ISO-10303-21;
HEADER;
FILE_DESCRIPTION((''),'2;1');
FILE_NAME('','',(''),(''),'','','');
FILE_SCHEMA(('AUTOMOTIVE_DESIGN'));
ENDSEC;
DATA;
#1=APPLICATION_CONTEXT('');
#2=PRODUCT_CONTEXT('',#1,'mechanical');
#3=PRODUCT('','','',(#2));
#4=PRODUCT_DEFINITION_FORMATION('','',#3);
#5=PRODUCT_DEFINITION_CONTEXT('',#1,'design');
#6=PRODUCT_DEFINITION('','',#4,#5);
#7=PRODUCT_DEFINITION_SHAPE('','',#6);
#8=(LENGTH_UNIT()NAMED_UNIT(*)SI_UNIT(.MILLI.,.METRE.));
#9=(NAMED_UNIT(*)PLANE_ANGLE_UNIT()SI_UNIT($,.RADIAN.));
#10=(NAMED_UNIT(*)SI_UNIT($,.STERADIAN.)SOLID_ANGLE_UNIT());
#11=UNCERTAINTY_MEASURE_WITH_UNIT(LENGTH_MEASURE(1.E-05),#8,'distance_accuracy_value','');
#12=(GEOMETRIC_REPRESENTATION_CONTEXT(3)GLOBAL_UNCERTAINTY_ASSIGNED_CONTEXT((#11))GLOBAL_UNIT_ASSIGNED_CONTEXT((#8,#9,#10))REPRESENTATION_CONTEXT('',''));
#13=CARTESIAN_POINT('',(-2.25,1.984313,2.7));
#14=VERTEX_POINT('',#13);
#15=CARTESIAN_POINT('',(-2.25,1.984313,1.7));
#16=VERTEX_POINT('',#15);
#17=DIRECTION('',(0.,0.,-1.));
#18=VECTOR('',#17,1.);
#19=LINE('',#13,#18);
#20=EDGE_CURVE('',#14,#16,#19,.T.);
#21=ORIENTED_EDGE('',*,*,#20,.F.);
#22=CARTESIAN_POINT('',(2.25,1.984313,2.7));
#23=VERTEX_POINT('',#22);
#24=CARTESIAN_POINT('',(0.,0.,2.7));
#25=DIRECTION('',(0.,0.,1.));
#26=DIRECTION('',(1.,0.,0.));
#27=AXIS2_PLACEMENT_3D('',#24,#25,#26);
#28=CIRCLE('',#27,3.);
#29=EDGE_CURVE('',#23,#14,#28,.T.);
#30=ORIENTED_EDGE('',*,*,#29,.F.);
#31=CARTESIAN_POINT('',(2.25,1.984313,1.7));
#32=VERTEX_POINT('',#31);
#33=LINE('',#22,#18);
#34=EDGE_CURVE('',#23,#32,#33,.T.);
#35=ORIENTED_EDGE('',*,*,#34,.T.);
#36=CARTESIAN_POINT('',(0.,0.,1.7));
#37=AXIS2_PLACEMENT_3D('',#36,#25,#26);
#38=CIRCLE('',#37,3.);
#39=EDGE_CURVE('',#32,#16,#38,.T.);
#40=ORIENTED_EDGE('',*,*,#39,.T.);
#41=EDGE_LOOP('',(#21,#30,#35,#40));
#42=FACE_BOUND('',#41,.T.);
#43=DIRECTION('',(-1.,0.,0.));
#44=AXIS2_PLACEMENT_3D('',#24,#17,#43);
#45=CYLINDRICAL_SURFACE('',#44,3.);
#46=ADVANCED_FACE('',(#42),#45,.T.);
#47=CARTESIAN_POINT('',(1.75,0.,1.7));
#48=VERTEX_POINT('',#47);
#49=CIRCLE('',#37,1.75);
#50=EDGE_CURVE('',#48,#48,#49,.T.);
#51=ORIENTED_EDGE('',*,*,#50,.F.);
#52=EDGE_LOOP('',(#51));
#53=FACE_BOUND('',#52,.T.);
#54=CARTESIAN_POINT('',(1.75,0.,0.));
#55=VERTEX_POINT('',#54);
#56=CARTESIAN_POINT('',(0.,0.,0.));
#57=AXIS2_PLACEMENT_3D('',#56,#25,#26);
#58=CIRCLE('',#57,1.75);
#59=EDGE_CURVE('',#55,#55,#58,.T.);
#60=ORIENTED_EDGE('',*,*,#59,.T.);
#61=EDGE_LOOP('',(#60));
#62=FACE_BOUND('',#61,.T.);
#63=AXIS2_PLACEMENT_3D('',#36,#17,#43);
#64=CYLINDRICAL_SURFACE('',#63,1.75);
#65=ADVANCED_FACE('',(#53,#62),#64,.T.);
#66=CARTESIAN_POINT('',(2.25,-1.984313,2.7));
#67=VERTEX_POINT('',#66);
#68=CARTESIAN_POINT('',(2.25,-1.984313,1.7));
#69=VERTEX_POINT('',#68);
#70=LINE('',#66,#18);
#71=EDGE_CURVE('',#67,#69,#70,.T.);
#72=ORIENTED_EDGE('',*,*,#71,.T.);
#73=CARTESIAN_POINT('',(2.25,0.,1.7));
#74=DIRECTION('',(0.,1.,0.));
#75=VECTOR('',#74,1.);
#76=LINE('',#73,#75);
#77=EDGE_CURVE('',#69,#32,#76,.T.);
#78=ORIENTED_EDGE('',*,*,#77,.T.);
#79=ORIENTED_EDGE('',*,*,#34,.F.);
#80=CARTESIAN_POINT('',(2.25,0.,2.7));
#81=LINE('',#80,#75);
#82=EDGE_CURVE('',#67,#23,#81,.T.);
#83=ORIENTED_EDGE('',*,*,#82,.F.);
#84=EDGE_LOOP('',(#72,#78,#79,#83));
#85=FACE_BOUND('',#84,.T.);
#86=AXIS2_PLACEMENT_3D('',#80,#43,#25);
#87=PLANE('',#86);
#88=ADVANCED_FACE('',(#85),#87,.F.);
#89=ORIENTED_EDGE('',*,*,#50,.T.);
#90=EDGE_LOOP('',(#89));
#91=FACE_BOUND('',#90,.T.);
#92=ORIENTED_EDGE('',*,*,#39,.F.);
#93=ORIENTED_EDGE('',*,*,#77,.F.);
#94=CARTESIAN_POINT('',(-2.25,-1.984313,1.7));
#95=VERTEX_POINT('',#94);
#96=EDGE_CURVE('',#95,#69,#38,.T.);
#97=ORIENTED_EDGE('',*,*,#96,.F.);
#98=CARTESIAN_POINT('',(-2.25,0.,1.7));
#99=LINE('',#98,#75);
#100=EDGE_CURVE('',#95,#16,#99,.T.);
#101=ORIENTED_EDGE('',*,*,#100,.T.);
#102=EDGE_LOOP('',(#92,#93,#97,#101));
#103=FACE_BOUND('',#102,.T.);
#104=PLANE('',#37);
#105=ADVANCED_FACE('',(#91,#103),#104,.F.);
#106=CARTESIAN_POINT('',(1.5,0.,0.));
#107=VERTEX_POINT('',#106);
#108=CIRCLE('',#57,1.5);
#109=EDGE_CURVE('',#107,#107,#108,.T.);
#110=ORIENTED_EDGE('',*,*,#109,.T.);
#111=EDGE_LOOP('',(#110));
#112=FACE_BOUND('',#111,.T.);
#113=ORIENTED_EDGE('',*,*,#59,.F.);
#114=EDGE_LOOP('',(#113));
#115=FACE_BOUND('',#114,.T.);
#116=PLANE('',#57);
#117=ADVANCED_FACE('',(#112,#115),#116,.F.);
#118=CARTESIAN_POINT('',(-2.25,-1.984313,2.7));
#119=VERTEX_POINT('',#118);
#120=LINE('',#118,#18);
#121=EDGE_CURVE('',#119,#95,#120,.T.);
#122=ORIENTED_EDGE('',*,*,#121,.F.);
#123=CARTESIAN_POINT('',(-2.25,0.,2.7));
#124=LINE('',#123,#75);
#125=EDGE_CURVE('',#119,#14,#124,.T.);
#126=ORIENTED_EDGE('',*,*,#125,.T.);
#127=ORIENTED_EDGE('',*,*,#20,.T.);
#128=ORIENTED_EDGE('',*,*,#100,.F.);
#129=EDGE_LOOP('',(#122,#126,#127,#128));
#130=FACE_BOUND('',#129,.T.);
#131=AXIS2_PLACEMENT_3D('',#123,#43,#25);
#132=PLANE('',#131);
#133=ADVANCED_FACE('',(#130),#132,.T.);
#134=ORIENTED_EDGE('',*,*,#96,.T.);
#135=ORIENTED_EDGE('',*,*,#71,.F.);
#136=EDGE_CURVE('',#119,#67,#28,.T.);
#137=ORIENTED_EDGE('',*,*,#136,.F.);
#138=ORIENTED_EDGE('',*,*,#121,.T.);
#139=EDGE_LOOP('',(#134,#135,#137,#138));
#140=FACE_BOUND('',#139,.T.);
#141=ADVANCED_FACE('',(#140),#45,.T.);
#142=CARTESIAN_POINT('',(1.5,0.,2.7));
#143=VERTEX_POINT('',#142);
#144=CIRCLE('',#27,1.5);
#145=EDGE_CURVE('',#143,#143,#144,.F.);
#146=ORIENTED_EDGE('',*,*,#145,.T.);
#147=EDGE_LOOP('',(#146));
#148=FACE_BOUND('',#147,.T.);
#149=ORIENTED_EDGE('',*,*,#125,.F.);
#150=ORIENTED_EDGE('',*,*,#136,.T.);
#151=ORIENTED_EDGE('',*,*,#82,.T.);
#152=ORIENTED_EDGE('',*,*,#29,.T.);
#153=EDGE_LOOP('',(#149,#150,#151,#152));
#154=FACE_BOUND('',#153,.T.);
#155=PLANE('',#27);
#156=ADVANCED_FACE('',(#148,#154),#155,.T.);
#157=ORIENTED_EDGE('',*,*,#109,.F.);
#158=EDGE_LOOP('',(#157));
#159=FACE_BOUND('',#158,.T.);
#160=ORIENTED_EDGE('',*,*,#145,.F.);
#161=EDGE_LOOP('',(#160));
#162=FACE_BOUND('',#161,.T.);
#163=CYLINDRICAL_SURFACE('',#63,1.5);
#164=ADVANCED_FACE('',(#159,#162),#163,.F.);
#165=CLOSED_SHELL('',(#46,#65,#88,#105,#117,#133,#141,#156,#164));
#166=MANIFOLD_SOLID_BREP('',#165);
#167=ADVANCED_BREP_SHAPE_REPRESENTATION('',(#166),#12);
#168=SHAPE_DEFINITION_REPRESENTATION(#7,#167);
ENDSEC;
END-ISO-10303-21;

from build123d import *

# Parameters (mm, degrees)
SKETCH_1_R      = 1.75
SKETCH_1_R_2    = 1.5
EXTRUDE_1_DEPTH = 1.7
SKETCH_2_R      = 1.75
SKETCH_2_R_2    = 1.5
EXTRUDE_2_DEPTH = 1


with BuildPart() as part:
    # 草图1 → 凸台-拉伸1 (new body)
    with BuildSketch(Plane.XY):
        Circle(SKETCH_1_R)
        Circle(SKETCH_1_R_2, mode=Mode.SUBTRACT)
    extrude(amount=EXTRUDE_1_DEPTH)

    # 草图2 → 凸台-拉伸2 (add)
    # profile 1 of 2: a face of its own
    with BuildSketch(Plane.XY.offset(1.7)):
        with BuildLine():
            ThreePointArc((-2.25, -1.984313483), (-1.234313483, -2.734313483), (0, -3))
            ThreePointArc((0, -3), (1.234313483, -2.734313483), (2.25, -1.984313483))
            Line((2.25, -1.984313483), (2.25, 1.984313483))
            ThreePointArc((2.25, 1.984313483), (1.234313483, 2.734313483), (0, 3))
            ThreePointArc((0, 3), (-1.234313483, 2.734313483), (-2.25, 1.984313483))
            Line((-2.25, 1.984313483), (-2.25, -1.984313483))
        make_face()
        Circle(SKETCH_2_R, mode=Mode.SUBTRACT)
    # profile 2 of 2: a face of its own
    with BuildSketch(Plane.XY.offset(1.7)):
        Circle(SKETCH_2_R)
        Circle(SKETCH_2_R_2, mode=Mode.SUBTRACT)
    extrude(amount=EXTRUDE_2_DEPTH)


solid = part.part
